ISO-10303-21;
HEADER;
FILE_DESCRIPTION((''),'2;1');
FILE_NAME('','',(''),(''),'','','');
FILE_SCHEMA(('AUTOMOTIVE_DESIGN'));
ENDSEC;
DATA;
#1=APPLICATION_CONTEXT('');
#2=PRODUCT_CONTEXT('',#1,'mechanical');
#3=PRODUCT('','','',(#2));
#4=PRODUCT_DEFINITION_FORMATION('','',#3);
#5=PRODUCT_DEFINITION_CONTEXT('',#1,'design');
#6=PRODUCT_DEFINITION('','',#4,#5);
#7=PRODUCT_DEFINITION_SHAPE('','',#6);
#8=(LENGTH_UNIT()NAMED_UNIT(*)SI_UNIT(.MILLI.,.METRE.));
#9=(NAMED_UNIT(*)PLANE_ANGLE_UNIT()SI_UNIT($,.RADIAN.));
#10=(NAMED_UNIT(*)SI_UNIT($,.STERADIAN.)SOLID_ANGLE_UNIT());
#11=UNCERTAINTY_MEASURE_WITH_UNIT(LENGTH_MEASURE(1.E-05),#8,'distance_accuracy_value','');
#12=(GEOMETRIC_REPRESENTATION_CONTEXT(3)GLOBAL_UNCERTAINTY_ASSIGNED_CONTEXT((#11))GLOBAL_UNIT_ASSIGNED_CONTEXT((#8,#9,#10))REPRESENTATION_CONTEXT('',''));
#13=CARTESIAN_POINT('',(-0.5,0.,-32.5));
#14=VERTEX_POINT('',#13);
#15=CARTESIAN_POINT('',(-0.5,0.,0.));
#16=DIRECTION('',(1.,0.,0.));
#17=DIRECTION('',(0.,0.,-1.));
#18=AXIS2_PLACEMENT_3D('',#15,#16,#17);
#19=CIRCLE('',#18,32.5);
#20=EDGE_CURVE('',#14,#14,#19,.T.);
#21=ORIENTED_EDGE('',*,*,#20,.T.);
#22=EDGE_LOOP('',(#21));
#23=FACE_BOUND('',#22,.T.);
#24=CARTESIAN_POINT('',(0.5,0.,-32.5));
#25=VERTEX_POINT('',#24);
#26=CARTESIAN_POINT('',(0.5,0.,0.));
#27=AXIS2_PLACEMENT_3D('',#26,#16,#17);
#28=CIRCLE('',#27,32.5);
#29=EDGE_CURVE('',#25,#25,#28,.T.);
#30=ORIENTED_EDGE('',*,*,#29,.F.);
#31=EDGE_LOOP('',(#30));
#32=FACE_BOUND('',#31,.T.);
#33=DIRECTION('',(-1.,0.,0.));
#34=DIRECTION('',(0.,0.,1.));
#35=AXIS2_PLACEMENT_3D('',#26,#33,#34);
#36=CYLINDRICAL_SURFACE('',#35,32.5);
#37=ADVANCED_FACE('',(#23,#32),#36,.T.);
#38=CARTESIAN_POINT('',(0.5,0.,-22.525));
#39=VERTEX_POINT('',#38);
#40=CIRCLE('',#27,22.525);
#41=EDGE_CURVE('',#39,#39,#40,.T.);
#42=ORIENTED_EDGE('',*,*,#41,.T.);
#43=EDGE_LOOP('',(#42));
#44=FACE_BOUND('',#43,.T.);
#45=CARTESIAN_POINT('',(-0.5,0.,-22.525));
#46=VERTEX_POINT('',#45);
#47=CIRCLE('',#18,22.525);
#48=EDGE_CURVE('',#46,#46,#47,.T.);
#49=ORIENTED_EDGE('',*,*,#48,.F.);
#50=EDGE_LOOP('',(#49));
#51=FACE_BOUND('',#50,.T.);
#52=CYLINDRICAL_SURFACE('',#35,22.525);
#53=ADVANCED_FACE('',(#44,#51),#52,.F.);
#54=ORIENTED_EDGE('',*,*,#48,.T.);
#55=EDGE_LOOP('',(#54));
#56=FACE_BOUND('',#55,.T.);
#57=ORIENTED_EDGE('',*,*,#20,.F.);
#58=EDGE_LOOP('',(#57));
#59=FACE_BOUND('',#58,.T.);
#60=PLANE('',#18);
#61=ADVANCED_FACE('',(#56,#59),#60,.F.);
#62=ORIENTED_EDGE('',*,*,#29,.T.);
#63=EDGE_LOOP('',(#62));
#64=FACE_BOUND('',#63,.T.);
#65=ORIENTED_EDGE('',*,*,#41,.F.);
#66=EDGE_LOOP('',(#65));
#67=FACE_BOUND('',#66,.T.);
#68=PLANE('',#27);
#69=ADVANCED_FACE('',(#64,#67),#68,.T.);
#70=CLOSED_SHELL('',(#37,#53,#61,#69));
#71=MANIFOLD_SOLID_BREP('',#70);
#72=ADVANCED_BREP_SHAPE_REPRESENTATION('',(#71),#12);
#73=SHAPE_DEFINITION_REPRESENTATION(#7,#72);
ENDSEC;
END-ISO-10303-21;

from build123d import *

# Parameters (mm, degrees)
BOSS_EXTRUDE1_DEPTH      = 0.5
BOSS_EXTRUDE1_DEPTH_BACK = 0.5
SKETCH3_R                = 32.5
SKETCH3_R_2              = 22.525


with BuildPart() as part:
    # Sketch3 → Boss-Extrude1 (new, two sides: drawn at the far end of the back side and taken through both)
    with BuildSketch(Plane(origin=(0, 0, 0), x_dir=(0, 0, -1), z_dir=(1, 0, 0)).offset(-BOSS_EXTRUDE1_DEPTH_BACK)):
        Circle(SKETCH3_R)
        Circle(SKETCH3_R_2, mode=Mode.SUBTRACT)
    extrude(amount=BOSS_EXTRUDE1_DEPTH + BOSS_EXTRUDE1_DEPTH_BACK)


solid = part.part
